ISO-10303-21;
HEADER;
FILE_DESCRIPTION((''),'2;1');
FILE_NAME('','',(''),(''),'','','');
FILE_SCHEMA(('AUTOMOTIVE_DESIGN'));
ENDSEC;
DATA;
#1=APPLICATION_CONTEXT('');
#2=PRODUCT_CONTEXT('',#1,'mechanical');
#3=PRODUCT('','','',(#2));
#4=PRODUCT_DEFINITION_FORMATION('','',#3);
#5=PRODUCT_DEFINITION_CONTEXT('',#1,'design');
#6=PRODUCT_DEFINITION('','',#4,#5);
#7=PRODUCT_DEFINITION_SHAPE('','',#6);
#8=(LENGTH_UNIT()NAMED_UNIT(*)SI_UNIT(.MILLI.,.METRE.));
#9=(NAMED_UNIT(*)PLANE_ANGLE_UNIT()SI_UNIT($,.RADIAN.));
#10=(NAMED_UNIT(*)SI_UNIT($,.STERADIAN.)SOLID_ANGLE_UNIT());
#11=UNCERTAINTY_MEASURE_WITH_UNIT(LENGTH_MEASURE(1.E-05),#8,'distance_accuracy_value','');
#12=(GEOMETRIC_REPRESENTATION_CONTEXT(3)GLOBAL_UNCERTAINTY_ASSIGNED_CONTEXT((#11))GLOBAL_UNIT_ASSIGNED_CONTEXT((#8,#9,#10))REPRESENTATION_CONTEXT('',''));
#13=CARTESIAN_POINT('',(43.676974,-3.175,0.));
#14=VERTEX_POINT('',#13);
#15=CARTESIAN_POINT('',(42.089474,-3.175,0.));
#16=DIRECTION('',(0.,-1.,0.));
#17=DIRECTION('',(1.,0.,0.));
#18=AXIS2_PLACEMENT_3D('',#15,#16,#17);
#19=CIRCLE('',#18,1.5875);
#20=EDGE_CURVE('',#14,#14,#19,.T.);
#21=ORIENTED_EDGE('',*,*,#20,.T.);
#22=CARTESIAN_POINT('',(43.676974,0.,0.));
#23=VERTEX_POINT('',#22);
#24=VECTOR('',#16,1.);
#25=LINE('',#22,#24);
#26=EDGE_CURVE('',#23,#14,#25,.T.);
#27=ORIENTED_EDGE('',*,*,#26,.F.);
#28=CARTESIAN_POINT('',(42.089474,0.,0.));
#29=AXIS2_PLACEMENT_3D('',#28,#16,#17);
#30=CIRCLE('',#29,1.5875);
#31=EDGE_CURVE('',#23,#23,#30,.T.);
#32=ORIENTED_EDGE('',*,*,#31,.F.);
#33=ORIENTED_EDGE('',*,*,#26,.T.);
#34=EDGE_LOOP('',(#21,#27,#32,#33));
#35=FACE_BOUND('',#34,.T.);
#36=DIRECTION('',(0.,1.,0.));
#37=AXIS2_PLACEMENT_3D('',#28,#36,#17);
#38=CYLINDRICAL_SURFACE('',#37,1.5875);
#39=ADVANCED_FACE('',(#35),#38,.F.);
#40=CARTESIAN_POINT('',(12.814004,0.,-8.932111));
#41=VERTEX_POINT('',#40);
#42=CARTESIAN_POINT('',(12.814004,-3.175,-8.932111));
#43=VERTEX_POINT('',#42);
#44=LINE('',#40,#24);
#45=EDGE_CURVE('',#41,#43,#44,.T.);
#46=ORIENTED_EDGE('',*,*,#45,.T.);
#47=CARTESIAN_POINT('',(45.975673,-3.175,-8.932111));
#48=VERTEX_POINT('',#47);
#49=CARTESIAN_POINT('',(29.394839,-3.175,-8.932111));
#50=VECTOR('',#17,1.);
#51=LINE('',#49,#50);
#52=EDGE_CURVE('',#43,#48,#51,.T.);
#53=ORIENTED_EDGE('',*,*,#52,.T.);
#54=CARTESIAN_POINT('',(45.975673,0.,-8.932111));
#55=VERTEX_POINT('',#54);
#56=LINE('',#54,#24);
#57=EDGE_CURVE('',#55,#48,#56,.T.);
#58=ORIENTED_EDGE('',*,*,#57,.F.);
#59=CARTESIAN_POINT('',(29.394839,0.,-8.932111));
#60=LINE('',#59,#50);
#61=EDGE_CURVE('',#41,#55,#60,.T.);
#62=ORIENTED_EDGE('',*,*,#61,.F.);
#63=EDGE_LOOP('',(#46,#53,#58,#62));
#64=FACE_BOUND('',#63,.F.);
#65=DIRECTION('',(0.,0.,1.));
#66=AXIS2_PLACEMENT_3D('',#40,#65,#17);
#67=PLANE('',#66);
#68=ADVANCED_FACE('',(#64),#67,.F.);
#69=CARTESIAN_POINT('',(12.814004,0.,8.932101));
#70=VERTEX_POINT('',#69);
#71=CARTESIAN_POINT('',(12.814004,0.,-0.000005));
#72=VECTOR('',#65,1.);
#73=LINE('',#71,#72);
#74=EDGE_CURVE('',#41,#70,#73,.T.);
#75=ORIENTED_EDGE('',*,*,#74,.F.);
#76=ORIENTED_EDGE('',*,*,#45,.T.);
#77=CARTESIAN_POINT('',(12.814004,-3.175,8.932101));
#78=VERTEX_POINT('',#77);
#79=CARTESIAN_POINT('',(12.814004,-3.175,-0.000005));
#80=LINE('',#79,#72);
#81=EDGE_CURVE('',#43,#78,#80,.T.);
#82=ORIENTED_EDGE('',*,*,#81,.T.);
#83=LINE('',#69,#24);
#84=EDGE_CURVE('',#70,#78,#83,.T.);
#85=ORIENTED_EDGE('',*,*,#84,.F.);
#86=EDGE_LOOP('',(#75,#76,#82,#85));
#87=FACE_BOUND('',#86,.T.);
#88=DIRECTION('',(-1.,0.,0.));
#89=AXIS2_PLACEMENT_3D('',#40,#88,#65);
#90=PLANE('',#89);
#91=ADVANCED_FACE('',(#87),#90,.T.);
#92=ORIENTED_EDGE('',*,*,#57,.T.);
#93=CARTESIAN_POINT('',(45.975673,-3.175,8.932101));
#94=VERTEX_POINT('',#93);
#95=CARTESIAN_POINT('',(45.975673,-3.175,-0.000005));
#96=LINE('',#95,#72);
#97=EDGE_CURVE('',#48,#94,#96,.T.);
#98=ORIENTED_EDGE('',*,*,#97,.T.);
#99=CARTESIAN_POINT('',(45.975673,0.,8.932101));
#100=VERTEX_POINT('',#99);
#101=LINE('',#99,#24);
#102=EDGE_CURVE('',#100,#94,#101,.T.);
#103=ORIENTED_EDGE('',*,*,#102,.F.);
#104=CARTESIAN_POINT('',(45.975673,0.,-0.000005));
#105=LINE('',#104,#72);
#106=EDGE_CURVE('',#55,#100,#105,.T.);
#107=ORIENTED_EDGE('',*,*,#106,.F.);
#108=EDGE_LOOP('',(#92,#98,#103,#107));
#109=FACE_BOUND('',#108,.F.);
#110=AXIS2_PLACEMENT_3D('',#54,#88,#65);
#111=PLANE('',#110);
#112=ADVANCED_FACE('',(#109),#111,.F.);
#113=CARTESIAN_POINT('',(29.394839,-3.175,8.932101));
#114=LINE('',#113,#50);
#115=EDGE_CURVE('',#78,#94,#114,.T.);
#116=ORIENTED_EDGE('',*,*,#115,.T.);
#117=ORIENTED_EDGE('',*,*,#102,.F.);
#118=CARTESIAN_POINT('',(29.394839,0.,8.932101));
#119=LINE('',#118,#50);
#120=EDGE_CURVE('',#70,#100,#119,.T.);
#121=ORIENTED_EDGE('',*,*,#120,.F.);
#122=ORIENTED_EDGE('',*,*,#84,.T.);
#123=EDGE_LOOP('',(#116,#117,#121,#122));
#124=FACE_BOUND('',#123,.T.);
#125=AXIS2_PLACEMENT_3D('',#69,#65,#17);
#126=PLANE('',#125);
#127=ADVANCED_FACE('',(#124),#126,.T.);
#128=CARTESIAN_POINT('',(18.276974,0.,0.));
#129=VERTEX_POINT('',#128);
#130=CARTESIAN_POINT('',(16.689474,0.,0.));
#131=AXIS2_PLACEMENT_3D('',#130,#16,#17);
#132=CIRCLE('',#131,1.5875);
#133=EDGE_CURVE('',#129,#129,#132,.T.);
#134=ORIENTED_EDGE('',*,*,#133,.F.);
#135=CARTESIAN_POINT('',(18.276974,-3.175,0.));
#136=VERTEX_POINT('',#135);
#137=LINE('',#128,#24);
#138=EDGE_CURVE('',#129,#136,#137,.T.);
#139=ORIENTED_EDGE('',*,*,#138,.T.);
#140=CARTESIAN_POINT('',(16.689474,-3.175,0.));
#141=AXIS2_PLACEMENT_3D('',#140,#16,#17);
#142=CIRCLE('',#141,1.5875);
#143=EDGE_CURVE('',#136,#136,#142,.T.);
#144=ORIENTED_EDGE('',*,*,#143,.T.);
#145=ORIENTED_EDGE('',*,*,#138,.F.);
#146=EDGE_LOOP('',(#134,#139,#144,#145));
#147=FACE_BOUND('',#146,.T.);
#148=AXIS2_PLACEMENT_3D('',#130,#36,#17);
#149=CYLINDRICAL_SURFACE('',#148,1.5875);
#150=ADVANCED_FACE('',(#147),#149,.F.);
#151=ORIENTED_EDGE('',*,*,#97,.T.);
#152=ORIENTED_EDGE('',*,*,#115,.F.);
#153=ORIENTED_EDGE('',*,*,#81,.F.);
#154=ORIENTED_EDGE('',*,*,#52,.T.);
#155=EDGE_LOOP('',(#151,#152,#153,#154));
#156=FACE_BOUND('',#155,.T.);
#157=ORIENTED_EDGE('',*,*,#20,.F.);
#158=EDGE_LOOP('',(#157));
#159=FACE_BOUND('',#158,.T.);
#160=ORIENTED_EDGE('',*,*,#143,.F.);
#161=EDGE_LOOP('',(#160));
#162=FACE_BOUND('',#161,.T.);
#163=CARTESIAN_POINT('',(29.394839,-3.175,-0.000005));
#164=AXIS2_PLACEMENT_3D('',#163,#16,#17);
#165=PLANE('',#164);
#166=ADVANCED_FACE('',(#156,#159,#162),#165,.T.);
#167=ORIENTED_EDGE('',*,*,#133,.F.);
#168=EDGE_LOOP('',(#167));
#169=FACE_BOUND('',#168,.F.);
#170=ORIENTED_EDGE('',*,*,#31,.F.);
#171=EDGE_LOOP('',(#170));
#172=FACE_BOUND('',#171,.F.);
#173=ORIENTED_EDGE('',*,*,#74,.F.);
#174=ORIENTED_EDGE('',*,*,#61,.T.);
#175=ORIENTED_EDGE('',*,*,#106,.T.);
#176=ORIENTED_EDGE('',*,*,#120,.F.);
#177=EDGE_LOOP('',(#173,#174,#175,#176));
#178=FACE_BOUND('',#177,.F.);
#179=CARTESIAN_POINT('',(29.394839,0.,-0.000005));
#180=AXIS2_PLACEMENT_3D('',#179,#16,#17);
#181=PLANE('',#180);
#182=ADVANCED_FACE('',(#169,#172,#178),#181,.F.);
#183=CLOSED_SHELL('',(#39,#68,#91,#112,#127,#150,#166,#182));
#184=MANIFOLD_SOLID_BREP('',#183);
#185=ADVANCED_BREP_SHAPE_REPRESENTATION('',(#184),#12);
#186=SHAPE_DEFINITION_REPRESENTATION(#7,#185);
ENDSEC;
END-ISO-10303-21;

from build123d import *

# Parameters (mm, degrees)
F0_W     = 33.161669
F0_H     = 17.864211
F0_R     = 1.5875
F1_DEPTH = 3.175


with BuildPart() as f1:
    # F0 (on Front) → F1 (new body)
    with BuildSketch(Plane.XZ):
        with Locations((29.394839, -5e-06)):
            Rectangle(F0_W, F0_H)
        with Locations((16.689474, 0)):
            Circle(F0_R, mode=Mode.SUBTRACT)
        with Locations((42.089474, 0)):
            Circle(F0_R, mode=Mode.SUBTRACT)
    extrude(amount=F1_DEPTH)


solid = f1.part
